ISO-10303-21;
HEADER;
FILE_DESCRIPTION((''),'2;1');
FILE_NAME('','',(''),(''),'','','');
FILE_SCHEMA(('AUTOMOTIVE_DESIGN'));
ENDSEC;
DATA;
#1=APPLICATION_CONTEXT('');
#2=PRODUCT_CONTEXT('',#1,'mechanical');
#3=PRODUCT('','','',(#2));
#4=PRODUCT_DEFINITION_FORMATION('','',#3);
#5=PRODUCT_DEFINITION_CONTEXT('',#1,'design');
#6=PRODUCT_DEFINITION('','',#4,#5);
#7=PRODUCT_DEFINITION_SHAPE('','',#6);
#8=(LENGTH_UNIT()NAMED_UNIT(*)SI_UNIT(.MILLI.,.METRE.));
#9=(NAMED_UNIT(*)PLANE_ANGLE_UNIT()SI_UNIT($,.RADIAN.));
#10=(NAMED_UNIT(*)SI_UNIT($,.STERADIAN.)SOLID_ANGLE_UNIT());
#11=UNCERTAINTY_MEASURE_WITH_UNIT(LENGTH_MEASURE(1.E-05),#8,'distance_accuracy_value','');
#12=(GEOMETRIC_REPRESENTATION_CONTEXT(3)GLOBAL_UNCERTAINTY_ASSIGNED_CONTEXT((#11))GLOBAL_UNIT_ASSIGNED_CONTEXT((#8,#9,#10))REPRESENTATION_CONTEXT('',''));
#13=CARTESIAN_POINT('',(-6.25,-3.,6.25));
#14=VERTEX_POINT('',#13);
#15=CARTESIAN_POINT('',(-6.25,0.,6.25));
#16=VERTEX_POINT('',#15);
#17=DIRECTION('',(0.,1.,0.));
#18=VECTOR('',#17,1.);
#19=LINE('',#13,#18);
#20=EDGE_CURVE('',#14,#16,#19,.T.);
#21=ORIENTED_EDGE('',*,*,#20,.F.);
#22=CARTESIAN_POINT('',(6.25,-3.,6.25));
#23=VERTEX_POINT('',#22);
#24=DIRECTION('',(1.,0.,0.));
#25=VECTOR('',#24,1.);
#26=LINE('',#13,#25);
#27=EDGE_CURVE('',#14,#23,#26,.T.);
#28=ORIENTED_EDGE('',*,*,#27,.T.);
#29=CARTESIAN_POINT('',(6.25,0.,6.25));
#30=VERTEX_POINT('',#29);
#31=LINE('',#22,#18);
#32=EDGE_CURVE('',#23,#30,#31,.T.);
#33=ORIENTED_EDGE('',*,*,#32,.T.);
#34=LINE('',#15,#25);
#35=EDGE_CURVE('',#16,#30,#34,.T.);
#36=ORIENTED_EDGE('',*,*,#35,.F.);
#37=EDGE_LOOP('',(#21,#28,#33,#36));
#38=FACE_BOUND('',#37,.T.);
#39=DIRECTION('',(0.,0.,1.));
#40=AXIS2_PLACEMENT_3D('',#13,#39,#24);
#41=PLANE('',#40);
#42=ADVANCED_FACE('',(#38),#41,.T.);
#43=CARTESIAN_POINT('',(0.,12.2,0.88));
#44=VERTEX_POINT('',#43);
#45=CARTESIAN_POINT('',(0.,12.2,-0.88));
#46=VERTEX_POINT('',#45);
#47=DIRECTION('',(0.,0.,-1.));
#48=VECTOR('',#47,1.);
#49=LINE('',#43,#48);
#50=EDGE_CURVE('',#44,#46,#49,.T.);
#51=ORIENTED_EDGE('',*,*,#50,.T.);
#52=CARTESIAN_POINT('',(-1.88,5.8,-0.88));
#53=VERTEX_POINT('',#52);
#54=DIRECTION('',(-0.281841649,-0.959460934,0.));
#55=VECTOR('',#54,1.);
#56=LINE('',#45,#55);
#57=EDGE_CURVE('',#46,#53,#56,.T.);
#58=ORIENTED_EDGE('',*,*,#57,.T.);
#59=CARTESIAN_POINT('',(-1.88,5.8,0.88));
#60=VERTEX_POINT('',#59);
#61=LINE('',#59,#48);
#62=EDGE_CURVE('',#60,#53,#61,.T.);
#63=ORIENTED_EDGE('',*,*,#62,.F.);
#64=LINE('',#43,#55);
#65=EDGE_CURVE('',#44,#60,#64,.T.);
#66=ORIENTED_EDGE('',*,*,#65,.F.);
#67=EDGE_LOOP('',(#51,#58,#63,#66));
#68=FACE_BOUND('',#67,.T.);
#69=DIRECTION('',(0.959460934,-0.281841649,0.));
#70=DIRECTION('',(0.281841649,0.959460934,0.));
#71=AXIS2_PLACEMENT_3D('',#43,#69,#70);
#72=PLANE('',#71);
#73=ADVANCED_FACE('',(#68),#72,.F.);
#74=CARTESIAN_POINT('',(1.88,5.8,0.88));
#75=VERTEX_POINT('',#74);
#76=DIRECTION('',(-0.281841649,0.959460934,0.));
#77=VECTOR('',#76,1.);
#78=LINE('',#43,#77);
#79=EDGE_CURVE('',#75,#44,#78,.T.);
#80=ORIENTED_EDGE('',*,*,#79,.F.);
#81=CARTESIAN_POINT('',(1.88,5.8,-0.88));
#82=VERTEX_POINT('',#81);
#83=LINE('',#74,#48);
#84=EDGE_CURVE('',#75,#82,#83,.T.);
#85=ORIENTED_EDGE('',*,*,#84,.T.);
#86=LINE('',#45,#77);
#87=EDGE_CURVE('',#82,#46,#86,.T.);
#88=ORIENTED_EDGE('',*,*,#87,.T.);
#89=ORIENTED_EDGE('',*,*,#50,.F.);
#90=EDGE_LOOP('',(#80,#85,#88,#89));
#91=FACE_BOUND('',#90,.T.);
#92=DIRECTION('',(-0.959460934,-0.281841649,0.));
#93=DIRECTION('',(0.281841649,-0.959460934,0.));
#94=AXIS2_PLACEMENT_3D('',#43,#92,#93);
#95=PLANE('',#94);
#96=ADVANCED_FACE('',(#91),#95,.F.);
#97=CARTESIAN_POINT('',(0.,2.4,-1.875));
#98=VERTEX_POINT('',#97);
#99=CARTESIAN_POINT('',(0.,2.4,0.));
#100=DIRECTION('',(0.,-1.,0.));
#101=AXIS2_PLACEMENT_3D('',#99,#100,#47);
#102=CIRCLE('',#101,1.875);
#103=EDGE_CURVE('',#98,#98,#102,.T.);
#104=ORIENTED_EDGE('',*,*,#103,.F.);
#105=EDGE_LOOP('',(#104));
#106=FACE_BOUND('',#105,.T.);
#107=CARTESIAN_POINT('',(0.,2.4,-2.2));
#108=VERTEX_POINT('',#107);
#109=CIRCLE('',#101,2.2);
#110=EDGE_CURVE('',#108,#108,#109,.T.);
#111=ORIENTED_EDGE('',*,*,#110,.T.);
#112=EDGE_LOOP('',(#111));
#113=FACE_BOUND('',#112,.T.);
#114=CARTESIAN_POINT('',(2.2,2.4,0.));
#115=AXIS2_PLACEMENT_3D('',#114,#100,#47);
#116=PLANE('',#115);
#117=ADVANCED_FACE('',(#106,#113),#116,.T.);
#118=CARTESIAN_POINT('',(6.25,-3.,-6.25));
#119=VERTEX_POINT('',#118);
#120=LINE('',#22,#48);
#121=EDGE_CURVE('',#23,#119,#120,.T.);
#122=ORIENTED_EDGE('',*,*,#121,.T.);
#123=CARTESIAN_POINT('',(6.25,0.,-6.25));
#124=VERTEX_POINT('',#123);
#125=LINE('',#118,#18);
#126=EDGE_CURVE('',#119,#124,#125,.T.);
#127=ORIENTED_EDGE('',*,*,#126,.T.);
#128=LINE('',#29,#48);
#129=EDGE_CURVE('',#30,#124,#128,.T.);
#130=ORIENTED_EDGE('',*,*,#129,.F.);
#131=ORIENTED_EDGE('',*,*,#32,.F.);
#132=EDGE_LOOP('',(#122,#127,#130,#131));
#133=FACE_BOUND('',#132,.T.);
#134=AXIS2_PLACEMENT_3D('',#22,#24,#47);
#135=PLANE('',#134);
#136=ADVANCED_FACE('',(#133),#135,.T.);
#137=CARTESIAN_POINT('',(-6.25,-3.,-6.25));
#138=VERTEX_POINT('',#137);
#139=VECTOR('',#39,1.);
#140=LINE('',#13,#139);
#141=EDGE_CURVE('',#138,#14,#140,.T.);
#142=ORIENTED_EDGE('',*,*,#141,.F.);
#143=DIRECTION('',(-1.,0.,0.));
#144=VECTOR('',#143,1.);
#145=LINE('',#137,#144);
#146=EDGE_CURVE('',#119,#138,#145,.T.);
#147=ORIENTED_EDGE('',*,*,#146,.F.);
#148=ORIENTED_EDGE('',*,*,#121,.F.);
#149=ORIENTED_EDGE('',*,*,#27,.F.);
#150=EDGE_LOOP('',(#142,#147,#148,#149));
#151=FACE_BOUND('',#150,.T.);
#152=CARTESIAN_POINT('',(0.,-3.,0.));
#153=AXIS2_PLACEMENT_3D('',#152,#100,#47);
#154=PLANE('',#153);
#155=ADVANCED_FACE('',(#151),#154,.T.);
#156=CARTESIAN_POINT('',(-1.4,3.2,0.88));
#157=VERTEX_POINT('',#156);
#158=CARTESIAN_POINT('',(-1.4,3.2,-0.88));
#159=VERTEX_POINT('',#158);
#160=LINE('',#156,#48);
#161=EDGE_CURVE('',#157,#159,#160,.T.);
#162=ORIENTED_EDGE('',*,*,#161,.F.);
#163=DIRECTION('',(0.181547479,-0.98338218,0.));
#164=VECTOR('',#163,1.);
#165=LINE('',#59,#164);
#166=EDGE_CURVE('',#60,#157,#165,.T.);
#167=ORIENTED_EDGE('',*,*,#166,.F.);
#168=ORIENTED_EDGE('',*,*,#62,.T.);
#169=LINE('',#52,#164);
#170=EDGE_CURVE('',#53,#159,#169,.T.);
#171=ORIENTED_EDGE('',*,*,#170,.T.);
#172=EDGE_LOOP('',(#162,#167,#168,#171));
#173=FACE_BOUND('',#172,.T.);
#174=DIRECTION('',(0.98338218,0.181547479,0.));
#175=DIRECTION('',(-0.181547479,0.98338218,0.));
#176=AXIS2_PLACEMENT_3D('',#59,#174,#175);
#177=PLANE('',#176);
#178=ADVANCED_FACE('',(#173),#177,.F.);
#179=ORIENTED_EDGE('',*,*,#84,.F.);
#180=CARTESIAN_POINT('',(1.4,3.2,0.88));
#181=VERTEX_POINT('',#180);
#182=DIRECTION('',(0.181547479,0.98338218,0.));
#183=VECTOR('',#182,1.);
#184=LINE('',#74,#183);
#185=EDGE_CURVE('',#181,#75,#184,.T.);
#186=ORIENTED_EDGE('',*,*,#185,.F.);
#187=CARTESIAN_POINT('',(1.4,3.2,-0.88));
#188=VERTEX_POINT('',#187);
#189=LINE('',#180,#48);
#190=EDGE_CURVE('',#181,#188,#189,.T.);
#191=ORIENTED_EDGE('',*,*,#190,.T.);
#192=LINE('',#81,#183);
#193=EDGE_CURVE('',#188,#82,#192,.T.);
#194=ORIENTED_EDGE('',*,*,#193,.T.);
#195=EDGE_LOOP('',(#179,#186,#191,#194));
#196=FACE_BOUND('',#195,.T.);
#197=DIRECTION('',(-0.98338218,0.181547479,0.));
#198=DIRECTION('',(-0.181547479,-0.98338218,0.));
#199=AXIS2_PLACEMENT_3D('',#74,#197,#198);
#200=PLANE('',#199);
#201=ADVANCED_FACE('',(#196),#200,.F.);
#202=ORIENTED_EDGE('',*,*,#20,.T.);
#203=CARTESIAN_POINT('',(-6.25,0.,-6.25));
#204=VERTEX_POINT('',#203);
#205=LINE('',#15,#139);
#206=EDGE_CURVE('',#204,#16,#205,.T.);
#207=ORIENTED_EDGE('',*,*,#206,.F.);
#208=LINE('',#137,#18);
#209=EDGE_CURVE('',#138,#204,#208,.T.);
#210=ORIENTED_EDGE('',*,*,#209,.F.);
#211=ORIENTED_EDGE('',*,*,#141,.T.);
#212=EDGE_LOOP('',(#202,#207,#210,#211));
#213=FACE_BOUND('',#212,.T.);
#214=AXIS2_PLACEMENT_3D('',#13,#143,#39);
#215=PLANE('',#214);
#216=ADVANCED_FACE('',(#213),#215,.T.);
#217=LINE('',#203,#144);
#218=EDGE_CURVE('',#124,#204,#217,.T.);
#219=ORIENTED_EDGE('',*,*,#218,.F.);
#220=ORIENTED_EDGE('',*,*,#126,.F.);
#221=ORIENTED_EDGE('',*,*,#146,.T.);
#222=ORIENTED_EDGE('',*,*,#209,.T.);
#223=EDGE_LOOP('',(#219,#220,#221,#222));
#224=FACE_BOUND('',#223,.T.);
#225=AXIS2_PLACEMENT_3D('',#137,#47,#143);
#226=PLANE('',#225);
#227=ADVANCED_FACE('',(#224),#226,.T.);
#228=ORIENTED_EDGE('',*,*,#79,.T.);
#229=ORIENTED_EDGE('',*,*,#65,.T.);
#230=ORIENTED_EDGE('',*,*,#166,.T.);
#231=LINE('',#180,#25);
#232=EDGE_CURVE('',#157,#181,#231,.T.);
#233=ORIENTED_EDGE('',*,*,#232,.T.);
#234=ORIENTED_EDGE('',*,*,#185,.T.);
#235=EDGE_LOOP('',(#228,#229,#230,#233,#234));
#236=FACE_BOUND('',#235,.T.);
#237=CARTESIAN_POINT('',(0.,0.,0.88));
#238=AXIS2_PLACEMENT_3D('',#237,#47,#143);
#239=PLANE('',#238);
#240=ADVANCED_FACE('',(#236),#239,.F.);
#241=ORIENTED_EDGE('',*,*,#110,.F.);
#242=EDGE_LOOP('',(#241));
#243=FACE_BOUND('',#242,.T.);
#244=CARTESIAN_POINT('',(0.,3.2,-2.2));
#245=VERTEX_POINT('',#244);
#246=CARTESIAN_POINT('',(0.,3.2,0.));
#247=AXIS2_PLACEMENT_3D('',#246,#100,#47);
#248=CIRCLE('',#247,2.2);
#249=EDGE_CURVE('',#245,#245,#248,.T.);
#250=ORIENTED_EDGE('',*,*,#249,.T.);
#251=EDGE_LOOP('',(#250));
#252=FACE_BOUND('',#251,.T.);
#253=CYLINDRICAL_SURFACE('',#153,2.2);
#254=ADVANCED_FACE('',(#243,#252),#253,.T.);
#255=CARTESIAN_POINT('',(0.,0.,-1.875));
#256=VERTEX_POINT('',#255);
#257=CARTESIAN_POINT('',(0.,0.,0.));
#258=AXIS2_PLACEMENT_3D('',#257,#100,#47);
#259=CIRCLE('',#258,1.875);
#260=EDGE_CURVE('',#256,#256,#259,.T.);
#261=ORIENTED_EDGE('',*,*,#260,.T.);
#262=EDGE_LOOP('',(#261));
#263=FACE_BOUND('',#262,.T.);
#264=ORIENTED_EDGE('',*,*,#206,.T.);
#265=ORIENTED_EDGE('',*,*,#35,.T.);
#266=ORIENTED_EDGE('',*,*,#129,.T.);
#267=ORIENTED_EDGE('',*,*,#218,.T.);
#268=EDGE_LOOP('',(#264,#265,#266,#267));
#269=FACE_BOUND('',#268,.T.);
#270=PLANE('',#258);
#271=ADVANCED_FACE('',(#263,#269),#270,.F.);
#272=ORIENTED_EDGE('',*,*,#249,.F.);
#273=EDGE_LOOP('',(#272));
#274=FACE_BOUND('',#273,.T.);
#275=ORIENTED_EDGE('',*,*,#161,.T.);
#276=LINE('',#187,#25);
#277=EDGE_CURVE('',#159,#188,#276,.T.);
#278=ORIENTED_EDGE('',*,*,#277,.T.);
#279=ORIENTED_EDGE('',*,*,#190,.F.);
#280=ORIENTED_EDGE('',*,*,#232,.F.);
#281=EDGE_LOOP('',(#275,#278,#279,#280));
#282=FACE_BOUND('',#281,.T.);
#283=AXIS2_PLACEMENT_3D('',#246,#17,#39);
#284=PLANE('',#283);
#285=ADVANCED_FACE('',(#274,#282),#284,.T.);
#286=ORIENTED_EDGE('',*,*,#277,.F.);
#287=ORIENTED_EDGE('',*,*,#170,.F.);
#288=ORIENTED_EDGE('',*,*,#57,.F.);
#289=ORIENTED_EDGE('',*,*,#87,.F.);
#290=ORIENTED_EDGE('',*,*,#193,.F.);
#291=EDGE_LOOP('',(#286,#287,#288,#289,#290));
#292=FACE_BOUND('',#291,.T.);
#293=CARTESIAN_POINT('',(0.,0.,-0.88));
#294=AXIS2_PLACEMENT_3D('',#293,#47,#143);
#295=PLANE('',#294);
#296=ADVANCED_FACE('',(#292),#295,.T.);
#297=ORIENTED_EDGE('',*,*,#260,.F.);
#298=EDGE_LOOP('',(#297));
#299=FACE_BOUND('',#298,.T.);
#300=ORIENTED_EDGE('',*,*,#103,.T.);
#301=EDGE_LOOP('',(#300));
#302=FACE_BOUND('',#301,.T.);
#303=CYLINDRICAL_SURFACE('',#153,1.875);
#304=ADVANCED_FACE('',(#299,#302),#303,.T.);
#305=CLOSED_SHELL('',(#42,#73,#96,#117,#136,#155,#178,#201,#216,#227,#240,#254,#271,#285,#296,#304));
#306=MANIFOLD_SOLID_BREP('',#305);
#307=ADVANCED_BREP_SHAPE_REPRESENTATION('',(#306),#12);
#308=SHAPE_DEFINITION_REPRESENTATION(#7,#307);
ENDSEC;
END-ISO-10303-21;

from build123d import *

# Parameters (mm, degrees)
SKETCH2_W           = 12.5
SKETCH2_H           = 12.5
BOSS_EXTRUDE1_DEPTH = 3
BOSS_EXTRUDE2_DEPTH = 0.88


with BuildPart() as part:
    # Sketch2 → Boss-Extrude1 (new body)
    with BuildSketch(Plane(origin=(0, 0, 0), x_dir=(1, 0, 0), z_dir=(0, 1, 0))):
        Rectangle(SKETCH2_W, SKETCH2_H)
    extrude(amount=-BOSS_EXTRUDE1_DEPTH)

    # Sketch3 → Revolve1 (revolve)
    with BuildSketch(Plane.XY, mode=Mode.PRIVATE) as revolve1_sk:
        Polygon((0, 3.2), (2.2, 3.2), (2.2, 2.4), (1.875, 2.4), (1.875, 0), (0, 0), align=None)
    revolve(revolve1_sk.sketch.rotate(Axis((0, -3, 0), (0, 1, 0)), 90), axis=Axis((0, -3, 0), (0, 1, 0)))

    # Sketch4 → Boss-Extrude2 (add, symmetric)
    with BuildSketch(Plane.XY):
        Polygon((0, 12.2), (1.88, 5.8), (1.4, 3.2), (-1.4, 3.2), (-1.88, 5.8), align=None)
    extrude(amount=BOSS_EXTRUDE2_DEPTH, both=True)


solid = part.part
